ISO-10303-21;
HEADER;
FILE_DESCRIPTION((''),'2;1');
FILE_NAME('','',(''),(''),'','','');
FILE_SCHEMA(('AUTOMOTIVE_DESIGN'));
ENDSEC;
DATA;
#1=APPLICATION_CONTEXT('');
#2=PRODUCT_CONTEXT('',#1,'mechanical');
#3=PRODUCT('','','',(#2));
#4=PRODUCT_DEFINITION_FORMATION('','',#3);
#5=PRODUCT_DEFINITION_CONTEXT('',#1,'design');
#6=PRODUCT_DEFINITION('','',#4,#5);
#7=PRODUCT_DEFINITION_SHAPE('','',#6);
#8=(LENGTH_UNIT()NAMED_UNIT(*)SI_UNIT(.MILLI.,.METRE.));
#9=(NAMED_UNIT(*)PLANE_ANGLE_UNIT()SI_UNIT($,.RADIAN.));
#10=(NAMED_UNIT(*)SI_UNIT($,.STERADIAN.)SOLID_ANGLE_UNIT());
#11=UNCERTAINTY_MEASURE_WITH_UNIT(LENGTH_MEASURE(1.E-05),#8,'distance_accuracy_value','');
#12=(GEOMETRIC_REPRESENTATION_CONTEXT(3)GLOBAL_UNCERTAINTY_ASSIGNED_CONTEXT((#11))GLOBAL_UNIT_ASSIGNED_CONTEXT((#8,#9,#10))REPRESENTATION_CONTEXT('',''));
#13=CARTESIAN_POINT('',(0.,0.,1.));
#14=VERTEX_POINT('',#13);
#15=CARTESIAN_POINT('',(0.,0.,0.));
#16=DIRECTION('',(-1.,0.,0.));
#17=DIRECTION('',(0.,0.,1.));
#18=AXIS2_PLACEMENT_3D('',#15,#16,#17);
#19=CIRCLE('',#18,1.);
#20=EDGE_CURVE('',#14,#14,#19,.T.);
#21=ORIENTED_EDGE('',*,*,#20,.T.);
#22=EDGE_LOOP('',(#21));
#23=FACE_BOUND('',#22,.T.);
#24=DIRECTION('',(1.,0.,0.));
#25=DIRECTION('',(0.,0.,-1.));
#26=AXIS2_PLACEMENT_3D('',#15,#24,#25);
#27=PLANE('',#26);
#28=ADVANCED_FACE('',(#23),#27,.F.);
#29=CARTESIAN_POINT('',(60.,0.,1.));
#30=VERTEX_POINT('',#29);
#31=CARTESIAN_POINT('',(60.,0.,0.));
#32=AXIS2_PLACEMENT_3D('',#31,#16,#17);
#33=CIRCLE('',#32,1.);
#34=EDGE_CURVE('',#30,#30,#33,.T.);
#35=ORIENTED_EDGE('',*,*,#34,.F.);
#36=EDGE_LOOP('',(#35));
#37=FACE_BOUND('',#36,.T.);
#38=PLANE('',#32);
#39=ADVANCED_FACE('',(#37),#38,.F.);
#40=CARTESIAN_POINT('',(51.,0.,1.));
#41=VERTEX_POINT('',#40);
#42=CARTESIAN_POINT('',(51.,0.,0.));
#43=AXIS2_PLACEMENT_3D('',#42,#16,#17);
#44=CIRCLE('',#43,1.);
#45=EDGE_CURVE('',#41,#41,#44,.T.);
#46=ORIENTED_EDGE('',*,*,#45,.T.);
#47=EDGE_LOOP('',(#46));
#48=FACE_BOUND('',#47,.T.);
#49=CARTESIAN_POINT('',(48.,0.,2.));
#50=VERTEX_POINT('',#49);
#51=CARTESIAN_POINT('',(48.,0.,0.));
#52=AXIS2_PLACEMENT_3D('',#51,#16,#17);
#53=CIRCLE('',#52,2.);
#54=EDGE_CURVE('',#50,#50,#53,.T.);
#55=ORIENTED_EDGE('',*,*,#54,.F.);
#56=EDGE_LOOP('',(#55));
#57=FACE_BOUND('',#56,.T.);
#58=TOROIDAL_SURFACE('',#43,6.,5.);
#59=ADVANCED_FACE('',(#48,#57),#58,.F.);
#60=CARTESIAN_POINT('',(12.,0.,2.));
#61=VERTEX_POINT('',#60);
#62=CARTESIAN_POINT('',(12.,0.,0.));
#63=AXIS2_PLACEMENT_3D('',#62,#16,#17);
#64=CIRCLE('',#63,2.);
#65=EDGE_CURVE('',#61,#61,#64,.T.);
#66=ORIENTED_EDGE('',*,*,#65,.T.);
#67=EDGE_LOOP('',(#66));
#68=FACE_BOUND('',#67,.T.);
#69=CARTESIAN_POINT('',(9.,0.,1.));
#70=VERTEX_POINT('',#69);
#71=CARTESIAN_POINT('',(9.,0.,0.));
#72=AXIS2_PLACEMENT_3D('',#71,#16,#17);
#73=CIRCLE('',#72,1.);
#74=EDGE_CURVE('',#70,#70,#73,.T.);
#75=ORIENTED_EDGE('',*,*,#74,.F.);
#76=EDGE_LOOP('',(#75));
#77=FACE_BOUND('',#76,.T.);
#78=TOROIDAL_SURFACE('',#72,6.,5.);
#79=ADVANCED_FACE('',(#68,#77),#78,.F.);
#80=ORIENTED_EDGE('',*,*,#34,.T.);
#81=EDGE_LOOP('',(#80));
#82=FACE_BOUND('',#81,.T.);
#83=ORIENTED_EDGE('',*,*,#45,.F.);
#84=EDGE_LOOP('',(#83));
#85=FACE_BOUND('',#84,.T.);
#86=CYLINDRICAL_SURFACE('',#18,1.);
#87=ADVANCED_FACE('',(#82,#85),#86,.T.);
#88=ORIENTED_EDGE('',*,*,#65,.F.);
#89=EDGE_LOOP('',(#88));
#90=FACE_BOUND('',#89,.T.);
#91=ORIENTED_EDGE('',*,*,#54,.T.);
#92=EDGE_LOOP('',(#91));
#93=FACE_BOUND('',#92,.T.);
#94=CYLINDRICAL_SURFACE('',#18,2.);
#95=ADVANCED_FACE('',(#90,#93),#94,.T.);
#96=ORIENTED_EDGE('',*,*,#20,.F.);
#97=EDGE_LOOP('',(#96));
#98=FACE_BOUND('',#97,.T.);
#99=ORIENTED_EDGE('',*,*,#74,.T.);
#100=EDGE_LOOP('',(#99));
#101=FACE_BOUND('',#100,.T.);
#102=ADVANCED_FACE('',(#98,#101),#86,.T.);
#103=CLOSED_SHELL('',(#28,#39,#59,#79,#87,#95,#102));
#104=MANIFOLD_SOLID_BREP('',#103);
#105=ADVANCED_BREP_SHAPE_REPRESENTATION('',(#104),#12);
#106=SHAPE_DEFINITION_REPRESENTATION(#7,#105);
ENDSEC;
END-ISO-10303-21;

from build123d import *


with BuildPart() as part:
    # Sketch1 → Revolve2 (revolve)
    with BuildSketch(Plane(origin=(0, 0, 0), x_dir=(1, 0, 0), z_dir=(0, 1, 0)), mode=Mode.PRIVATE) as revolve2_sk:
        with BuildLine():
            Line((0, 0), (60, 0))
            Line((60, 0), (60, 1))
            Line((60, 1), (51, 1))
            ThreePointArc((51, 1), (49.41886117, 1.25658351), (48, 2))
            Line((48, 2), (12, 2))
            ThreePointArc((12, 2), (10.58113883, 1.25658351), (9, 1))
            Line((9, 1), (0, 1))
            Line((0, 1), (0, 0))
        make_face()
    revolve(revolve2_sk.sketch.rotate(Axis((0, 0, 0), (1, 0, 0)), 180), axis=Axis((0, 0, 0), (1, 0, 0)))


solid = part.part
